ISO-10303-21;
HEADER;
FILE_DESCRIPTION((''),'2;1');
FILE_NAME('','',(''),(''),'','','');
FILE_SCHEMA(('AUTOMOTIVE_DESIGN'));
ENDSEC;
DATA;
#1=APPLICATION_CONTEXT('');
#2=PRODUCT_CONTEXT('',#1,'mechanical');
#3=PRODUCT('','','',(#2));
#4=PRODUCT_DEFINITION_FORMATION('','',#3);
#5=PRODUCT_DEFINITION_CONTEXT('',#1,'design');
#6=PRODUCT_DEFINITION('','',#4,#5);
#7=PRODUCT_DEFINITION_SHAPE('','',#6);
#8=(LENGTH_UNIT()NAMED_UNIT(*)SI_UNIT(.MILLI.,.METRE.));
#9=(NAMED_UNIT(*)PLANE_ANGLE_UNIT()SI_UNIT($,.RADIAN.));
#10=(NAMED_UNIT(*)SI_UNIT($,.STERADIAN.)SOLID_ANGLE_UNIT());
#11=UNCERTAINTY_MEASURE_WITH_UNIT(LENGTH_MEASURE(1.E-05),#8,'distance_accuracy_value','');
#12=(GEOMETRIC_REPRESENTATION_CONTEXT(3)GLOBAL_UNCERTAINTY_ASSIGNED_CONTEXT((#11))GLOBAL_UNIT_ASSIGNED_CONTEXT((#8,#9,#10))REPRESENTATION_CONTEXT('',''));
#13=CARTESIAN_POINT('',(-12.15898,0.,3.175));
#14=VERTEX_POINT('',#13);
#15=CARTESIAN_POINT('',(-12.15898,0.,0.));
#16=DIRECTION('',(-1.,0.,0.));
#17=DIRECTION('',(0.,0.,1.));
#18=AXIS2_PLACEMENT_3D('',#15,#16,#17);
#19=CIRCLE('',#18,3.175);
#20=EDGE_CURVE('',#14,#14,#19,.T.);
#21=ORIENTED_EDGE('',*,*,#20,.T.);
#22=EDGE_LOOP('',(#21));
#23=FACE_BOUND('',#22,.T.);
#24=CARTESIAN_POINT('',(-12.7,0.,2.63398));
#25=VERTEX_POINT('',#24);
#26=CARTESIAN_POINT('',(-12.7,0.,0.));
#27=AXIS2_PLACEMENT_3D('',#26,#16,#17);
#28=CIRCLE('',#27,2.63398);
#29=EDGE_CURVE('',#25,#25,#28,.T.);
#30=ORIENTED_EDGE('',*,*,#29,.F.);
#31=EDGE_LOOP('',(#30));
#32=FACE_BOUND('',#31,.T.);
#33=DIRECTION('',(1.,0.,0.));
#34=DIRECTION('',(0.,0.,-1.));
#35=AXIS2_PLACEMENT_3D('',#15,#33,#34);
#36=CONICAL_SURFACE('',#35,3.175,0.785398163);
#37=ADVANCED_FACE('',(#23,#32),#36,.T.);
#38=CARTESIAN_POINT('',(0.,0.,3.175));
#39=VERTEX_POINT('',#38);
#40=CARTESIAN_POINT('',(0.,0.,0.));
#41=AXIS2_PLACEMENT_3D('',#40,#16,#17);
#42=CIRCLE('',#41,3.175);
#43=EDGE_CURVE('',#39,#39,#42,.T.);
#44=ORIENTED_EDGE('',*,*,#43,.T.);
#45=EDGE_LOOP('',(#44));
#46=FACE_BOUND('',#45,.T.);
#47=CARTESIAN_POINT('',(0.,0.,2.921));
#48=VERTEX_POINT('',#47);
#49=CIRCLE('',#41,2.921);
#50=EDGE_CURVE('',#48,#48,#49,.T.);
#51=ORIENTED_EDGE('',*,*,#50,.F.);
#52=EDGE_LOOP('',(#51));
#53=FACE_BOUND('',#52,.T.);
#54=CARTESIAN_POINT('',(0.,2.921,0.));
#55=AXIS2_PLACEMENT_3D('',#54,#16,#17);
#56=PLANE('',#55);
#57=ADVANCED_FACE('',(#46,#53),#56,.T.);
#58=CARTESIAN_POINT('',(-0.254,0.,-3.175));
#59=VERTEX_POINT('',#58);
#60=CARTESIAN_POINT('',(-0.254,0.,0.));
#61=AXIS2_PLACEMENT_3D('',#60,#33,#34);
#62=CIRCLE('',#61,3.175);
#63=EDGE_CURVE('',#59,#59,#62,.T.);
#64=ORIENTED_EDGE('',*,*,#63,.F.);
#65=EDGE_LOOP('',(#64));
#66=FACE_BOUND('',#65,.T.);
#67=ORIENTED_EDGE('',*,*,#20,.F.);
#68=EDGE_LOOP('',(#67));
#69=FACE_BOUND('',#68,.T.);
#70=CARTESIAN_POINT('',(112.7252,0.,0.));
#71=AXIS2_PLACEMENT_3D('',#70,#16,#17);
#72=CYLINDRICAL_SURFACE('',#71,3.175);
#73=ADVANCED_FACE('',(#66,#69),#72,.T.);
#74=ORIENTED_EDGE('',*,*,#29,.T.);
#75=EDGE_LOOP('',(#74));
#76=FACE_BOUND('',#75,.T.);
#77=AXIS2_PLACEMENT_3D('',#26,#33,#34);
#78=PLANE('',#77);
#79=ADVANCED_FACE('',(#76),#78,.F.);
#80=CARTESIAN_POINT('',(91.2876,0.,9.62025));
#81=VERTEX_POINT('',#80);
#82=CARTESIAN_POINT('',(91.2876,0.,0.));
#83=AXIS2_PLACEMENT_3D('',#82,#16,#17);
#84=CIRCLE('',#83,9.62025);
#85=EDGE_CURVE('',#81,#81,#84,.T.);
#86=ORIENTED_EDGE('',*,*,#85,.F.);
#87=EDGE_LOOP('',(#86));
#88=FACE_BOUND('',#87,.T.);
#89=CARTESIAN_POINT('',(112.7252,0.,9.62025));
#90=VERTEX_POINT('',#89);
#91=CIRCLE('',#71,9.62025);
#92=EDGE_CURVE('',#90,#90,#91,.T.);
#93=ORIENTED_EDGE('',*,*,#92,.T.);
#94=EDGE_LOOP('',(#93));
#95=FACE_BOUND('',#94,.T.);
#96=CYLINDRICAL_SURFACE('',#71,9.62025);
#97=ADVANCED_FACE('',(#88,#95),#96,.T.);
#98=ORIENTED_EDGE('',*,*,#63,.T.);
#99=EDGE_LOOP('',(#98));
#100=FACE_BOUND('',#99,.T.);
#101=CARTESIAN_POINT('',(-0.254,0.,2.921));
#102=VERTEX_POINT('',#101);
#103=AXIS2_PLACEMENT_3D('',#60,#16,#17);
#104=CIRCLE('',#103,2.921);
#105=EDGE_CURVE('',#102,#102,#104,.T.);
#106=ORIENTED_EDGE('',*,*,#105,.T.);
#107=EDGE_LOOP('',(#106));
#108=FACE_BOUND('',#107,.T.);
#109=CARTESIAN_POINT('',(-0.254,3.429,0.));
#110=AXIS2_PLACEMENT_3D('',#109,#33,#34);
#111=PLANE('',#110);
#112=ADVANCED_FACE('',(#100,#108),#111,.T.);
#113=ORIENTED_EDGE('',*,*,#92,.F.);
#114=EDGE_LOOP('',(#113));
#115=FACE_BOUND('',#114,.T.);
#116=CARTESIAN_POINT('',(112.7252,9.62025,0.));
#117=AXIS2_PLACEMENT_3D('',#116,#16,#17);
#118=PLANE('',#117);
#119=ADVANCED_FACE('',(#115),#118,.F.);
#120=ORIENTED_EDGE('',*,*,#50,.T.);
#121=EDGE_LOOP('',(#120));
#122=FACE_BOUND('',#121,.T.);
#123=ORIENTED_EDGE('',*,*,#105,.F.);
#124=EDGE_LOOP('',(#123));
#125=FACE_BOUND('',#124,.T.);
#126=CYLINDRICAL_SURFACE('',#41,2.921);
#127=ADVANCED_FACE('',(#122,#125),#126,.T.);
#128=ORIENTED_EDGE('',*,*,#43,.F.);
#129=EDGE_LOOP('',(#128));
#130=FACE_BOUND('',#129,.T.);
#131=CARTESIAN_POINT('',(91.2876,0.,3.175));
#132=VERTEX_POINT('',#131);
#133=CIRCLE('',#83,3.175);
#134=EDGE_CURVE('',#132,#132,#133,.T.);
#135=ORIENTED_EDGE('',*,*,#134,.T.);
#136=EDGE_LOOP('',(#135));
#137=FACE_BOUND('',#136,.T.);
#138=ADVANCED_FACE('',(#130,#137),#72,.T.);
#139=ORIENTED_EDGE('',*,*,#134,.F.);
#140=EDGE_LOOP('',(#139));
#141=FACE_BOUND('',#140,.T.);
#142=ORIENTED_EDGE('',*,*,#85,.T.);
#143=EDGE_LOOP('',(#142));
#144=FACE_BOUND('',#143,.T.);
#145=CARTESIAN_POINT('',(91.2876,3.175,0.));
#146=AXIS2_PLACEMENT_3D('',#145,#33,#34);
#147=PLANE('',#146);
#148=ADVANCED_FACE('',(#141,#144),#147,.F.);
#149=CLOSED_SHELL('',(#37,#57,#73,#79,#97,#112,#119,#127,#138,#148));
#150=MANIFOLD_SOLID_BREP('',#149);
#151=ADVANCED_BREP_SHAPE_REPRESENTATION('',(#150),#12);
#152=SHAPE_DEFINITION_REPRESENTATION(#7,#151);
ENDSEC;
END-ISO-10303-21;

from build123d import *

# Parameters (mm, degrees)
SKETCH3_W = 0.254
SKETCH3_H = 0.508


with BuildPart() as part:
    # Sketch1 → Revolve1 (revolve)
    with BuildSketch(Plane.XY):
        Polygon((0, 0), (0, 3.175), (91.2876, 3.175), (91.2876, 9.62025), (112.7252, 9.62025), (112.7252, 0), align=None)
    revolve(axis=Axis((112.7252, 0, 0), (-1, 0, 0)))

    # Sketch2 → Revolve2 (revolve)
    with BuildSketch(Plane.XY):
        Polygon((-12.7, 0), (-12.7, 2.63398), (-12.15898, 3.175), (0, 3.175), (0, 0), align=None)
    revolve(axis=Axis((0, 0, 0), (-1, 0, 0)))

    # Sketch3 → Cut-Revolve1 (revolve, cut)
    with BuildSketch(Plane.XY):
        with Locations((-0.127, 3.175)):
            Rectangle(SKETCH3_W, SKETCH3_H)
    revolve(axis=Axis((0, 0, 0), (-1, 0, 0)), mode=Mode.SUBTRACT)


solid = part.part
